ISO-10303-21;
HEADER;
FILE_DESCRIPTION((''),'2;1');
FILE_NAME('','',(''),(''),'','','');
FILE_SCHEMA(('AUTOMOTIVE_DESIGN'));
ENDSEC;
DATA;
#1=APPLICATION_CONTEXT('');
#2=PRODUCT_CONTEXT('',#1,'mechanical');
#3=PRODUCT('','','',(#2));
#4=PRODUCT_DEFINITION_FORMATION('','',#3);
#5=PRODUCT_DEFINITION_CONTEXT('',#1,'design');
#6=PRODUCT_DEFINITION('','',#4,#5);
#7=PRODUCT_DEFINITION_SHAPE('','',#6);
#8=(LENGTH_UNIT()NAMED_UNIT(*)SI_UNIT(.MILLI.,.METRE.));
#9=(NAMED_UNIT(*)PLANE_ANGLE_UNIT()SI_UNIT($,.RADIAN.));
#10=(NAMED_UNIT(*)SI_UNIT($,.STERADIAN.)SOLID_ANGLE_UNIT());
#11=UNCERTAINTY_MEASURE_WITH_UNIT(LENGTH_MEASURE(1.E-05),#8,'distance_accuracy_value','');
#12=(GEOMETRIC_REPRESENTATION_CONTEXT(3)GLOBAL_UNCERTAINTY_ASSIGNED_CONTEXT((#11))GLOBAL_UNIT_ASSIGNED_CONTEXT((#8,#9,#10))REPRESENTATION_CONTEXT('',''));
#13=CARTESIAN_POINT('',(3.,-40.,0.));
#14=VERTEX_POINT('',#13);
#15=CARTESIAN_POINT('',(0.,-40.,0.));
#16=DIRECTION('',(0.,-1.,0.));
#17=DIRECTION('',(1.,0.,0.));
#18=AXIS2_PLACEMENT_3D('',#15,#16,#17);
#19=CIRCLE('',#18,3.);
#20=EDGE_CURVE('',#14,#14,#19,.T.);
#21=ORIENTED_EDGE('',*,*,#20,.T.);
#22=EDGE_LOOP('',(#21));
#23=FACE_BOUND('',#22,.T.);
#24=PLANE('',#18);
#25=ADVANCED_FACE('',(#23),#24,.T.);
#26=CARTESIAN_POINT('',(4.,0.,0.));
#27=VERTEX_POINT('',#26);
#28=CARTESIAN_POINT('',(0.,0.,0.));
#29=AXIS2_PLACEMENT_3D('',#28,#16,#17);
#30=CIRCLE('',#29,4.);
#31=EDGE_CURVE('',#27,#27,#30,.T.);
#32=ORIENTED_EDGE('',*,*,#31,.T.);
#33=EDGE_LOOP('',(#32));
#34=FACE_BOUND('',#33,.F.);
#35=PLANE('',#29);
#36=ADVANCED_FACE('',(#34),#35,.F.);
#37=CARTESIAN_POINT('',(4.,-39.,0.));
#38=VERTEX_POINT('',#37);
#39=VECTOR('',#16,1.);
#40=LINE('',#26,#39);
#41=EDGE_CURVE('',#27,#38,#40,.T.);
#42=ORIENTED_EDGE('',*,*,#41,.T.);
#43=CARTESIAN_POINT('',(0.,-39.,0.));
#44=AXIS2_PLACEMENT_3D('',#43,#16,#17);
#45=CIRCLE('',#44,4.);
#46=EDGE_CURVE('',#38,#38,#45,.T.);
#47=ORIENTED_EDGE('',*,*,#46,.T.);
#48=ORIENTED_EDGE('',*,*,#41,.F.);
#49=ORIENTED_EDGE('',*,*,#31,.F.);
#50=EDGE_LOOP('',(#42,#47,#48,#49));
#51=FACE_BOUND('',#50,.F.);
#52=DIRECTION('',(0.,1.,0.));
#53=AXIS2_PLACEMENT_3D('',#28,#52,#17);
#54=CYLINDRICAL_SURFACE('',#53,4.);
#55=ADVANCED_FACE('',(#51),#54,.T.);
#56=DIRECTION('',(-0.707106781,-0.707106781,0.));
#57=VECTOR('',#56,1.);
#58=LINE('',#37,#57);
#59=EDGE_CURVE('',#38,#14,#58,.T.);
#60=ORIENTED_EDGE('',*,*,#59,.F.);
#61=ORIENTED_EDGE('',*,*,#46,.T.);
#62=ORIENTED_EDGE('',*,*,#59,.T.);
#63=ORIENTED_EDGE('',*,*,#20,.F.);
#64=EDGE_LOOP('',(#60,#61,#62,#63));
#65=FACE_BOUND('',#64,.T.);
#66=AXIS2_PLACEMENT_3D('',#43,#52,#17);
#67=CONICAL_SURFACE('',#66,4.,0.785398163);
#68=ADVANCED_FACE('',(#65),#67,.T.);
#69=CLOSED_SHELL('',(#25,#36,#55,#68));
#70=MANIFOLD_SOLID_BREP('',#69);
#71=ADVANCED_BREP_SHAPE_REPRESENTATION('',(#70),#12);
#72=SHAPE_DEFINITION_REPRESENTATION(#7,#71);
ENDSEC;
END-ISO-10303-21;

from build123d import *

# Parameters (mm, degrees)
SKETCH_R     = 4
PAD_DEPTH    = 40
CHAMFER_SIZE = 1


with BuildPart() as part:
    # Sketch → Pad (new body)
    with BuildSketch(Plane.XZ):
        Circle(SKETCH_R)
    extrude(amount=PAD_DEPTH)

    # Chamfer
    chamfer_edges = [part.edges().sort_by_distance(p)[0] for p in [
        (-4, -40, 0),
    ]]
    chamfer(chamfer_edges, length=CHAMFER_SIZE)


solid = part.part
